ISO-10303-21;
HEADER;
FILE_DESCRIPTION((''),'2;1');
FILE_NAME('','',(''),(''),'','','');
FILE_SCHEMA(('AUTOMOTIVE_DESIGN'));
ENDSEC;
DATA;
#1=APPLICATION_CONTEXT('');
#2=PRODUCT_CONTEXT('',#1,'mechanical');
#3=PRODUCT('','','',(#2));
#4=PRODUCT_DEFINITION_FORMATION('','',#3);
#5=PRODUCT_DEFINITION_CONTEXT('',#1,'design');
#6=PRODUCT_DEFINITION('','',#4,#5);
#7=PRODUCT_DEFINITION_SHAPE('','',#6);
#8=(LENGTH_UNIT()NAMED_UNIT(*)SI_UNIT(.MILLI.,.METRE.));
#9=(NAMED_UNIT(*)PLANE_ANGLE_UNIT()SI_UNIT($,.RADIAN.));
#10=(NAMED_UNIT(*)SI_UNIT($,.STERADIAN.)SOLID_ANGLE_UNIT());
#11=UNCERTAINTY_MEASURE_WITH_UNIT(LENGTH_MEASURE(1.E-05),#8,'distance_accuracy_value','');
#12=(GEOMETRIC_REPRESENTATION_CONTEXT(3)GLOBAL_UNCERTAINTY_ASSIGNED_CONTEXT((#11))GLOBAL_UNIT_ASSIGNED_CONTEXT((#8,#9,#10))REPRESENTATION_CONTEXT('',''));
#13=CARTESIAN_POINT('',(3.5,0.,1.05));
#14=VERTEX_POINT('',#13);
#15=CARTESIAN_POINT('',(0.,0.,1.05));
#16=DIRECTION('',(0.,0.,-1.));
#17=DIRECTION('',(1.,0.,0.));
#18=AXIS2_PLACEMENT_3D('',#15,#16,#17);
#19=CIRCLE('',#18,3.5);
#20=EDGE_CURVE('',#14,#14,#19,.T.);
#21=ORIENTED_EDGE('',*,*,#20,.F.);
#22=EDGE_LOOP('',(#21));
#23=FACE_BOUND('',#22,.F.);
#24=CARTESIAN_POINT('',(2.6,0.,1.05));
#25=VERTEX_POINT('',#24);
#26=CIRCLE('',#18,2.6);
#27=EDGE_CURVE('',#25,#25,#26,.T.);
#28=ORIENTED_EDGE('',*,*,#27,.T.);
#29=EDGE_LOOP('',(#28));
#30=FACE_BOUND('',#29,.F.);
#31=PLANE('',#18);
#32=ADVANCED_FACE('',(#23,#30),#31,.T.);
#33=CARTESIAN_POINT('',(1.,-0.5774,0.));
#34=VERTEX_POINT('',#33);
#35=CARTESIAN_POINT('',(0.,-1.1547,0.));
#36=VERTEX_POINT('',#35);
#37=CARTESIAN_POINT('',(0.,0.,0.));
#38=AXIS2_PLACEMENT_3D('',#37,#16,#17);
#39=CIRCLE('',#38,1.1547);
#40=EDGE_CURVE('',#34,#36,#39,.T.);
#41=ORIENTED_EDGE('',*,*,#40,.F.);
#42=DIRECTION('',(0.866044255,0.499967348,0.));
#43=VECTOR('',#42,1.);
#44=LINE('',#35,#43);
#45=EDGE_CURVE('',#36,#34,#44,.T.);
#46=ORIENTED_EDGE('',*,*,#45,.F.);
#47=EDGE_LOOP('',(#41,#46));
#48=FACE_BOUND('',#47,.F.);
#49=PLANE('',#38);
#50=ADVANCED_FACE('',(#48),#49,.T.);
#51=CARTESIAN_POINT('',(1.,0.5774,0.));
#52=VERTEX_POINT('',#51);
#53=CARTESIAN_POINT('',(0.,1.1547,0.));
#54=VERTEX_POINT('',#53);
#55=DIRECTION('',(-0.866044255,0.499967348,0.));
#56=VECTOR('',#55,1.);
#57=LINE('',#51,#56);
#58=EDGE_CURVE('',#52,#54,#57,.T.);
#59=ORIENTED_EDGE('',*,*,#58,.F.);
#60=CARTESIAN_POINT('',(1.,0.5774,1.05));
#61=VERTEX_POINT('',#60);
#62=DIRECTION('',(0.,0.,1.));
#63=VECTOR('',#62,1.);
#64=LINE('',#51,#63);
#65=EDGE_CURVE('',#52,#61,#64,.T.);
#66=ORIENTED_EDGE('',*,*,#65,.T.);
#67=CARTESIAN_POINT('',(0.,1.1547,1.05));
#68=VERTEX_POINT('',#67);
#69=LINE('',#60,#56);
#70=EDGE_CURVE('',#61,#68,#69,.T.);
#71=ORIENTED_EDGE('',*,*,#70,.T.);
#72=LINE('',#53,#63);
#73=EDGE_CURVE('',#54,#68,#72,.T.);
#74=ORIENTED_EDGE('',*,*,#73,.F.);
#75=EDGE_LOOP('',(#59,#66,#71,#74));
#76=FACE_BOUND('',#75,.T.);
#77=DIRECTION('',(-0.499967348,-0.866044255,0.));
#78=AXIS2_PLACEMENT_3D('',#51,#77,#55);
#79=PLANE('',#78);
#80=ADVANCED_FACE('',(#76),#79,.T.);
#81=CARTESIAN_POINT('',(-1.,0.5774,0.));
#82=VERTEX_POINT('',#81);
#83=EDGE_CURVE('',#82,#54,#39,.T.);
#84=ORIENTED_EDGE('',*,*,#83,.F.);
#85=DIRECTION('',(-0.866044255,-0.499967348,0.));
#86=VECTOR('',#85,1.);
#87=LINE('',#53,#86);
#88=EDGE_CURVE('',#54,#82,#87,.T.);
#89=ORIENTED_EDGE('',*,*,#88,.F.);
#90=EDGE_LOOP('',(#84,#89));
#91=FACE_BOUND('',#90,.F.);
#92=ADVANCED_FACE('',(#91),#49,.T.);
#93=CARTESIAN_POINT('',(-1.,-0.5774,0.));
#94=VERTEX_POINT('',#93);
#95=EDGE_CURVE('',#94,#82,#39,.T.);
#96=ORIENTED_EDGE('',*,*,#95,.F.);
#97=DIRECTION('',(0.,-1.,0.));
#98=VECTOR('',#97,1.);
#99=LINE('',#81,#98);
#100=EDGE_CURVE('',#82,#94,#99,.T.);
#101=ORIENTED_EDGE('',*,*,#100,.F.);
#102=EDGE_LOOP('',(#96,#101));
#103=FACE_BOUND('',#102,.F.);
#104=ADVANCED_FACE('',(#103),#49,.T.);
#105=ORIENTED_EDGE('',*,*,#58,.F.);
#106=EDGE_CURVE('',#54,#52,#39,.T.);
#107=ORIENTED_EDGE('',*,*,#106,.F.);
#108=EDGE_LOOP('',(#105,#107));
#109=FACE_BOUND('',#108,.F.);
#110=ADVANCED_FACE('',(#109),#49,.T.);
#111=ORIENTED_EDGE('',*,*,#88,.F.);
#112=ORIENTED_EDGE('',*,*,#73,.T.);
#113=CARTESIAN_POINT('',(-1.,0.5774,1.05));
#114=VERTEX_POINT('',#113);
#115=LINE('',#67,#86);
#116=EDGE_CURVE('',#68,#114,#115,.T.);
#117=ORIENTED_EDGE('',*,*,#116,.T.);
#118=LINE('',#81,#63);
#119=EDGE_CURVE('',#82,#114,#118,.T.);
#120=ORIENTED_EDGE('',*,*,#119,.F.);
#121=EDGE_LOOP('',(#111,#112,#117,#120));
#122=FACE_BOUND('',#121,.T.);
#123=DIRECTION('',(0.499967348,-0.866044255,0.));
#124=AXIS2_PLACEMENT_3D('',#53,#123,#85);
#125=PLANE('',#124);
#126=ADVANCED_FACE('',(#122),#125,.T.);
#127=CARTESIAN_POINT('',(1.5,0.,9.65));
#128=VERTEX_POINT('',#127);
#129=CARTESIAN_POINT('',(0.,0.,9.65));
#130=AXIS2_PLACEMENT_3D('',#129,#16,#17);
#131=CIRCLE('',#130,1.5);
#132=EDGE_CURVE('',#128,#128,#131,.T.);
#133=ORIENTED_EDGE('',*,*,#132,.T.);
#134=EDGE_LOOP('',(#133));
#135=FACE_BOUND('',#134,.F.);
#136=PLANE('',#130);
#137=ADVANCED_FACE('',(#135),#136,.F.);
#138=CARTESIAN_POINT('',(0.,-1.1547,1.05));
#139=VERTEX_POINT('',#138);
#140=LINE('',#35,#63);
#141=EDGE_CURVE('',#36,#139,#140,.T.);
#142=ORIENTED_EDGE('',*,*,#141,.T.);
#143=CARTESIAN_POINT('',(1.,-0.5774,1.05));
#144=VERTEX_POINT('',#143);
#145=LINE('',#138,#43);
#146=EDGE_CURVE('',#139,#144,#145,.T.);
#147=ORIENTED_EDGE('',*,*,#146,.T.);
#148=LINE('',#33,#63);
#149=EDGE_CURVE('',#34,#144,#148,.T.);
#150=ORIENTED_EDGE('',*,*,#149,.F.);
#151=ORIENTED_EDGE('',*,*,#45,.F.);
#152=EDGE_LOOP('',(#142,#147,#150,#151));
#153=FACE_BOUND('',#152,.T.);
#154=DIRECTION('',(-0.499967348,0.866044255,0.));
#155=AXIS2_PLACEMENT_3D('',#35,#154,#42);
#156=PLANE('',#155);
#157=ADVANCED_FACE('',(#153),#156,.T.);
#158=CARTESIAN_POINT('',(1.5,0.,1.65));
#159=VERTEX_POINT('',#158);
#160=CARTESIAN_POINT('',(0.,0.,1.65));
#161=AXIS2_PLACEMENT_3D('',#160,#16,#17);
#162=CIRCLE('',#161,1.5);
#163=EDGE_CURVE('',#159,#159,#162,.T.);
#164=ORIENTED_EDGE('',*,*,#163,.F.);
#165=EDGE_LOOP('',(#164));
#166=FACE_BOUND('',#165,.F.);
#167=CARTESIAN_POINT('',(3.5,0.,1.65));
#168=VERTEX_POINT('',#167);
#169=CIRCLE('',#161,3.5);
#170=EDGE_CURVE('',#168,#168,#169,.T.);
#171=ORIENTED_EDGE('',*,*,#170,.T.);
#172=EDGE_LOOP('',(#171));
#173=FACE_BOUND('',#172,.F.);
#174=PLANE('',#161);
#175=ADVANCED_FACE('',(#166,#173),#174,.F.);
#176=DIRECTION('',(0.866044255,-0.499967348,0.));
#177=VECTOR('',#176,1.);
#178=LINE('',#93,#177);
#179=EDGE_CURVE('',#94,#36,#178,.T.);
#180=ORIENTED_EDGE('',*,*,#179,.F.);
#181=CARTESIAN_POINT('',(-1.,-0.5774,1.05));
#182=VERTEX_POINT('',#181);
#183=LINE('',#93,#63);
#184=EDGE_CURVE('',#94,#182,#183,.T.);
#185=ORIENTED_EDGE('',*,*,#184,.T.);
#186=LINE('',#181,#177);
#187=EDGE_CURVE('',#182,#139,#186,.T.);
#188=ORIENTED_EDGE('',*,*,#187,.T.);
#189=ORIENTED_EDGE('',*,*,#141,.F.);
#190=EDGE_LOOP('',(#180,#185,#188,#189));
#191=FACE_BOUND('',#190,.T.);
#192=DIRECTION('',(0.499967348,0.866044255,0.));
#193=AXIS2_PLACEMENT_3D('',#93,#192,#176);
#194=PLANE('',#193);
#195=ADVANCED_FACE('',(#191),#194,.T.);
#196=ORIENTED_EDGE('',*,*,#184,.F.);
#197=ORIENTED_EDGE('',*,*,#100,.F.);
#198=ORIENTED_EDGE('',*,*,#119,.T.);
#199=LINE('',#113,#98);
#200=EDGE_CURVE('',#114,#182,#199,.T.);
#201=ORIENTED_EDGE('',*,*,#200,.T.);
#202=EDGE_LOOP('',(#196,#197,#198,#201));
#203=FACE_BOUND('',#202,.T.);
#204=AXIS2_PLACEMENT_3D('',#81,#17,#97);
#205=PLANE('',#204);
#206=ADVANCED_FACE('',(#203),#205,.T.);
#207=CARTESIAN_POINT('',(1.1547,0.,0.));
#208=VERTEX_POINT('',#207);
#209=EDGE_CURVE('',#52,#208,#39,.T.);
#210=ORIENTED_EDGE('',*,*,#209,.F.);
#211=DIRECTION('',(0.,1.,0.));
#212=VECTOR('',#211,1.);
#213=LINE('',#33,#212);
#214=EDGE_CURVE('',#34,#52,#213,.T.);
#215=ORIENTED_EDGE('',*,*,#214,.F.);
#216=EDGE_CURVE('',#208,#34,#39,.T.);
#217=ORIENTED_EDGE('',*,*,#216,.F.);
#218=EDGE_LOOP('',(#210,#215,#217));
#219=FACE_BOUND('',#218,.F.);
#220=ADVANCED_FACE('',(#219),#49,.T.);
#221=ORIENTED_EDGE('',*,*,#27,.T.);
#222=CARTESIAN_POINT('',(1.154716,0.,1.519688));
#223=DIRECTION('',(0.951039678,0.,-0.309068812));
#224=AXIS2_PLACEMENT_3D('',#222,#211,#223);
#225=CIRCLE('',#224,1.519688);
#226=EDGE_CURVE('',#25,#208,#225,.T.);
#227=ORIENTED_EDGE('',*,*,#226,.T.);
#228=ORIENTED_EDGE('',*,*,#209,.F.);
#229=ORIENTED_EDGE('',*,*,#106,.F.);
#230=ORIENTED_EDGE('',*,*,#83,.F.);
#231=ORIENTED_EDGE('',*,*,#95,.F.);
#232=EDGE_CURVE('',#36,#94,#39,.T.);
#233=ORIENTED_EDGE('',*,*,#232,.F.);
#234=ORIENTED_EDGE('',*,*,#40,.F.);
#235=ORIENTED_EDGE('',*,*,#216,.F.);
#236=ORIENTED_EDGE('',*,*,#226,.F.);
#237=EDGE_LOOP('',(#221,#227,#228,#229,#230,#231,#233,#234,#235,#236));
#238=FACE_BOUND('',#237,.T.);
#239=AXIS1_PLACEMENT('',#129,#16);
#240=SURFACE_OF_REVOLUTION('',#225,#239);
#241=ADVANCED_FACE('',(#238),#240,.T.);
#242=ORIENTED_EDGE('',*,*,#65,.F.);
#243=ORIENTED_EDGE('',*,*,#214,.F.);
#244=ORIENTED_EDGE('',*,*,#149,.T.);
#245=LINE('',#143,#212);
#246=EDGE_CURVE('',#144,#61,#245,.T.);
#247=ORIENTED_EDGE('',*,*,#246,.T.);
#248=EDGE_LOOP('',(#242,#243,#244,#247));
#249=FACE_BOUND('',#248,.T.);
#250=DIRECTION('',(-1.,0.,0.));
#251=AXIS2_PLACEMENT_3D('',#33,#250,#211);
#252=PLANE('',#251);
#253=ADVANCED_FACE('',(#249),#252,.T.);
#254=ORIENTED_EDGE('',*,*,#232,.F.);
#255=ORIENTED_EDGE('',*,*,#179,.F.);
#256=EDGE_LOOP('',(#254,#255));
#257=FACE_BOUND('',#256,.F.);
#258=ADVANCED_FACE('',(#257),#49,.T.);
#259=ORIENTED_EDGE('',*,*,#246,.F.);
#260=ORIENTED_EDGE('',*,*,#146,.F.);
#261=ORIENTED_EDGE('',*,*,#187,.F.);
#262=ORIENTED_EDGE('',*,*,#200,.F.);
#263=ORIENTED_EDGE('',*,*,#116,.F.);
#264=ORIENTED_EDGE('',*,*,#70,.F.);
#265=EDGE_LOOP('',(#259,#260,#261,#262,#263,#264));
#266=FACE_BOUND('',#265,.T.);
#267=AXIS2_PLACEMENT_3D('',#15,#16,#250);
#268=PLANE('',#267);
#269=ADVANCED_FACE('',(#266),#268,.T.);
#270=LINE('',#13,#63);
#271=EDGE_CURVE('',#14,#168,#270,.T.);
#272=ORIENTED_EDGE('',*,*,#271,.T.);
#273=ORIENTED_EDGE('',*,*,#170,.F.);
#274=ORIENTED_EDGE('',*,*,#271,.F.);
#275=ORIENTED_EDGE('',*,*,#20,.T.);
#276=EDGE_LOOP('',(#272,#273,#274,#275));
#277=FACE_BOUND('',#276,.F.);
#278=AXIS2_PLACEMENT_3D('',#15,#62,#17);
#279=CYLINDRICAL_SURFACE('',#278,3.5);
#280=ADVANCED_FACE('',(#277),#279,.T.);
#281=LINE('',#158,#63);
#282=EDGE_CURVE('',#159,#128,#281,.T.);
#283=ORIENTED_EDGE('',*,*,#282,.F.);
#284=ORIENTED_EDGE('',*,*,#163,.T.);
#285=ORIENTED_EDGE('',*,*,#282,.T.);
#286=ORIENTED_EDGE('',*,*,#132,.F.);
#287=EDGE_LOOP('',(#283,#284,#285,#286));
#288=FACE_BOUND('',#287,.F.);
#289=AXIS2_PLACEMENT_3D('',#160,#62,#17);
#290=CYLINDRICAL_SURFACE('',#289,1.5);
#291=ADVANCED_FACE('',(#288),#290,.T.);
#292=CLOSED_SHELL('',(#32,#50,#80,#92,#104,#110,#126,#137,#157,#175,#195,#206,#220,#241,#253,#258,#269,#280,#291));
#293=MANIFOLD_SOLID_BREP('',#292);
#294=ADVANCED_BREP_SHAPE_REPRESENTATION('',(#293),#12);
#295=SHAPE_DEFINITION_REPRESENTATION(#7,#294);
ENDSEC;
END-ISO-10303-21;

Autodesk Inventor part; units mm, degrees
ref_plane "YZ Plane" through (0, 0, 0) normal (1, 0, 0) x (0, 1, 0)
ref_plane "XZ Plane" through (0, 0, 0) normal (0, 1, 0) x (-1, 0, 0)
ref_plane "XY Plane" through (0, 0, 0) normal (0, 0, 1) x (1, 0, 0)
sketch "スケッチ1" plane through (0, 0, 0) normal (0, 1, 0) x (-1, 0, 0)
  line L0 (0, 0) -> (-1.1547, 0)
  line L1 (-2.6, 1.05) -> (-3.5, 1.05)
  line L2 (-3.5, 1.05) -> (-3.5, 1.65)
  line L3 (-3.5, 1.65) -> (-1.5, 1.65)
  line L4 (-1.5, 1.65) -> (-1.5, 9.65)
  line L5 (-1.5, 9.65) -> (0, 9.65)
  line L6 (0, 9.65) -> (0, 0)
  arc A0 (-2.6, 1.05) -> (-1.1547, 0) centre (-1.1547, 1.5197) ccw
  dimension "d0" = 5.2
  dimension "d1" = 7
  dimension "d3" = 1.65
  dimension "d4" = 0.6
  dimension "d5" = 2.3094
  dimension "d6" = 8
  dimension "d7" = 3
revolve "回転1" add sketch "スケッチ1" angle 360 about axis through (0, 0, 9.65) along (0, 0, -1)
thread "ねじ1" size "M3x0.5" class "6g" standard "ANSI Metric M Profile" length 7.57
sketch "スケッチ2" plane through (0, 0, 0) normal (0, 0, -1) x (-1, 0, 0)
  circle A0 centre (0, 0) radius 1.1547 projected
  line L0 (0, 1.1547) -> (1, 0.5774)
  line L1 (1, 0.5774) -> (1, -0.5774)
  line L2 (1, -0.5774) -> (0, -1.1547)
  line L3 (0, -1.1547) -> (-1, -0.5774)
  line L4 (-1, -0.5774) -> (-1, 0.5774)
  line L5 (-1, 0.5774) -> (0, 1.1547)
  point P0 (0, 0)
extrude "押し出し1" cut sketch "スケッチ2" against normal blind 1.05 contours L1 L2 L3 L4 L5 L0
properties part number "620103008" material "ステンレス鋼 AISI 304"
